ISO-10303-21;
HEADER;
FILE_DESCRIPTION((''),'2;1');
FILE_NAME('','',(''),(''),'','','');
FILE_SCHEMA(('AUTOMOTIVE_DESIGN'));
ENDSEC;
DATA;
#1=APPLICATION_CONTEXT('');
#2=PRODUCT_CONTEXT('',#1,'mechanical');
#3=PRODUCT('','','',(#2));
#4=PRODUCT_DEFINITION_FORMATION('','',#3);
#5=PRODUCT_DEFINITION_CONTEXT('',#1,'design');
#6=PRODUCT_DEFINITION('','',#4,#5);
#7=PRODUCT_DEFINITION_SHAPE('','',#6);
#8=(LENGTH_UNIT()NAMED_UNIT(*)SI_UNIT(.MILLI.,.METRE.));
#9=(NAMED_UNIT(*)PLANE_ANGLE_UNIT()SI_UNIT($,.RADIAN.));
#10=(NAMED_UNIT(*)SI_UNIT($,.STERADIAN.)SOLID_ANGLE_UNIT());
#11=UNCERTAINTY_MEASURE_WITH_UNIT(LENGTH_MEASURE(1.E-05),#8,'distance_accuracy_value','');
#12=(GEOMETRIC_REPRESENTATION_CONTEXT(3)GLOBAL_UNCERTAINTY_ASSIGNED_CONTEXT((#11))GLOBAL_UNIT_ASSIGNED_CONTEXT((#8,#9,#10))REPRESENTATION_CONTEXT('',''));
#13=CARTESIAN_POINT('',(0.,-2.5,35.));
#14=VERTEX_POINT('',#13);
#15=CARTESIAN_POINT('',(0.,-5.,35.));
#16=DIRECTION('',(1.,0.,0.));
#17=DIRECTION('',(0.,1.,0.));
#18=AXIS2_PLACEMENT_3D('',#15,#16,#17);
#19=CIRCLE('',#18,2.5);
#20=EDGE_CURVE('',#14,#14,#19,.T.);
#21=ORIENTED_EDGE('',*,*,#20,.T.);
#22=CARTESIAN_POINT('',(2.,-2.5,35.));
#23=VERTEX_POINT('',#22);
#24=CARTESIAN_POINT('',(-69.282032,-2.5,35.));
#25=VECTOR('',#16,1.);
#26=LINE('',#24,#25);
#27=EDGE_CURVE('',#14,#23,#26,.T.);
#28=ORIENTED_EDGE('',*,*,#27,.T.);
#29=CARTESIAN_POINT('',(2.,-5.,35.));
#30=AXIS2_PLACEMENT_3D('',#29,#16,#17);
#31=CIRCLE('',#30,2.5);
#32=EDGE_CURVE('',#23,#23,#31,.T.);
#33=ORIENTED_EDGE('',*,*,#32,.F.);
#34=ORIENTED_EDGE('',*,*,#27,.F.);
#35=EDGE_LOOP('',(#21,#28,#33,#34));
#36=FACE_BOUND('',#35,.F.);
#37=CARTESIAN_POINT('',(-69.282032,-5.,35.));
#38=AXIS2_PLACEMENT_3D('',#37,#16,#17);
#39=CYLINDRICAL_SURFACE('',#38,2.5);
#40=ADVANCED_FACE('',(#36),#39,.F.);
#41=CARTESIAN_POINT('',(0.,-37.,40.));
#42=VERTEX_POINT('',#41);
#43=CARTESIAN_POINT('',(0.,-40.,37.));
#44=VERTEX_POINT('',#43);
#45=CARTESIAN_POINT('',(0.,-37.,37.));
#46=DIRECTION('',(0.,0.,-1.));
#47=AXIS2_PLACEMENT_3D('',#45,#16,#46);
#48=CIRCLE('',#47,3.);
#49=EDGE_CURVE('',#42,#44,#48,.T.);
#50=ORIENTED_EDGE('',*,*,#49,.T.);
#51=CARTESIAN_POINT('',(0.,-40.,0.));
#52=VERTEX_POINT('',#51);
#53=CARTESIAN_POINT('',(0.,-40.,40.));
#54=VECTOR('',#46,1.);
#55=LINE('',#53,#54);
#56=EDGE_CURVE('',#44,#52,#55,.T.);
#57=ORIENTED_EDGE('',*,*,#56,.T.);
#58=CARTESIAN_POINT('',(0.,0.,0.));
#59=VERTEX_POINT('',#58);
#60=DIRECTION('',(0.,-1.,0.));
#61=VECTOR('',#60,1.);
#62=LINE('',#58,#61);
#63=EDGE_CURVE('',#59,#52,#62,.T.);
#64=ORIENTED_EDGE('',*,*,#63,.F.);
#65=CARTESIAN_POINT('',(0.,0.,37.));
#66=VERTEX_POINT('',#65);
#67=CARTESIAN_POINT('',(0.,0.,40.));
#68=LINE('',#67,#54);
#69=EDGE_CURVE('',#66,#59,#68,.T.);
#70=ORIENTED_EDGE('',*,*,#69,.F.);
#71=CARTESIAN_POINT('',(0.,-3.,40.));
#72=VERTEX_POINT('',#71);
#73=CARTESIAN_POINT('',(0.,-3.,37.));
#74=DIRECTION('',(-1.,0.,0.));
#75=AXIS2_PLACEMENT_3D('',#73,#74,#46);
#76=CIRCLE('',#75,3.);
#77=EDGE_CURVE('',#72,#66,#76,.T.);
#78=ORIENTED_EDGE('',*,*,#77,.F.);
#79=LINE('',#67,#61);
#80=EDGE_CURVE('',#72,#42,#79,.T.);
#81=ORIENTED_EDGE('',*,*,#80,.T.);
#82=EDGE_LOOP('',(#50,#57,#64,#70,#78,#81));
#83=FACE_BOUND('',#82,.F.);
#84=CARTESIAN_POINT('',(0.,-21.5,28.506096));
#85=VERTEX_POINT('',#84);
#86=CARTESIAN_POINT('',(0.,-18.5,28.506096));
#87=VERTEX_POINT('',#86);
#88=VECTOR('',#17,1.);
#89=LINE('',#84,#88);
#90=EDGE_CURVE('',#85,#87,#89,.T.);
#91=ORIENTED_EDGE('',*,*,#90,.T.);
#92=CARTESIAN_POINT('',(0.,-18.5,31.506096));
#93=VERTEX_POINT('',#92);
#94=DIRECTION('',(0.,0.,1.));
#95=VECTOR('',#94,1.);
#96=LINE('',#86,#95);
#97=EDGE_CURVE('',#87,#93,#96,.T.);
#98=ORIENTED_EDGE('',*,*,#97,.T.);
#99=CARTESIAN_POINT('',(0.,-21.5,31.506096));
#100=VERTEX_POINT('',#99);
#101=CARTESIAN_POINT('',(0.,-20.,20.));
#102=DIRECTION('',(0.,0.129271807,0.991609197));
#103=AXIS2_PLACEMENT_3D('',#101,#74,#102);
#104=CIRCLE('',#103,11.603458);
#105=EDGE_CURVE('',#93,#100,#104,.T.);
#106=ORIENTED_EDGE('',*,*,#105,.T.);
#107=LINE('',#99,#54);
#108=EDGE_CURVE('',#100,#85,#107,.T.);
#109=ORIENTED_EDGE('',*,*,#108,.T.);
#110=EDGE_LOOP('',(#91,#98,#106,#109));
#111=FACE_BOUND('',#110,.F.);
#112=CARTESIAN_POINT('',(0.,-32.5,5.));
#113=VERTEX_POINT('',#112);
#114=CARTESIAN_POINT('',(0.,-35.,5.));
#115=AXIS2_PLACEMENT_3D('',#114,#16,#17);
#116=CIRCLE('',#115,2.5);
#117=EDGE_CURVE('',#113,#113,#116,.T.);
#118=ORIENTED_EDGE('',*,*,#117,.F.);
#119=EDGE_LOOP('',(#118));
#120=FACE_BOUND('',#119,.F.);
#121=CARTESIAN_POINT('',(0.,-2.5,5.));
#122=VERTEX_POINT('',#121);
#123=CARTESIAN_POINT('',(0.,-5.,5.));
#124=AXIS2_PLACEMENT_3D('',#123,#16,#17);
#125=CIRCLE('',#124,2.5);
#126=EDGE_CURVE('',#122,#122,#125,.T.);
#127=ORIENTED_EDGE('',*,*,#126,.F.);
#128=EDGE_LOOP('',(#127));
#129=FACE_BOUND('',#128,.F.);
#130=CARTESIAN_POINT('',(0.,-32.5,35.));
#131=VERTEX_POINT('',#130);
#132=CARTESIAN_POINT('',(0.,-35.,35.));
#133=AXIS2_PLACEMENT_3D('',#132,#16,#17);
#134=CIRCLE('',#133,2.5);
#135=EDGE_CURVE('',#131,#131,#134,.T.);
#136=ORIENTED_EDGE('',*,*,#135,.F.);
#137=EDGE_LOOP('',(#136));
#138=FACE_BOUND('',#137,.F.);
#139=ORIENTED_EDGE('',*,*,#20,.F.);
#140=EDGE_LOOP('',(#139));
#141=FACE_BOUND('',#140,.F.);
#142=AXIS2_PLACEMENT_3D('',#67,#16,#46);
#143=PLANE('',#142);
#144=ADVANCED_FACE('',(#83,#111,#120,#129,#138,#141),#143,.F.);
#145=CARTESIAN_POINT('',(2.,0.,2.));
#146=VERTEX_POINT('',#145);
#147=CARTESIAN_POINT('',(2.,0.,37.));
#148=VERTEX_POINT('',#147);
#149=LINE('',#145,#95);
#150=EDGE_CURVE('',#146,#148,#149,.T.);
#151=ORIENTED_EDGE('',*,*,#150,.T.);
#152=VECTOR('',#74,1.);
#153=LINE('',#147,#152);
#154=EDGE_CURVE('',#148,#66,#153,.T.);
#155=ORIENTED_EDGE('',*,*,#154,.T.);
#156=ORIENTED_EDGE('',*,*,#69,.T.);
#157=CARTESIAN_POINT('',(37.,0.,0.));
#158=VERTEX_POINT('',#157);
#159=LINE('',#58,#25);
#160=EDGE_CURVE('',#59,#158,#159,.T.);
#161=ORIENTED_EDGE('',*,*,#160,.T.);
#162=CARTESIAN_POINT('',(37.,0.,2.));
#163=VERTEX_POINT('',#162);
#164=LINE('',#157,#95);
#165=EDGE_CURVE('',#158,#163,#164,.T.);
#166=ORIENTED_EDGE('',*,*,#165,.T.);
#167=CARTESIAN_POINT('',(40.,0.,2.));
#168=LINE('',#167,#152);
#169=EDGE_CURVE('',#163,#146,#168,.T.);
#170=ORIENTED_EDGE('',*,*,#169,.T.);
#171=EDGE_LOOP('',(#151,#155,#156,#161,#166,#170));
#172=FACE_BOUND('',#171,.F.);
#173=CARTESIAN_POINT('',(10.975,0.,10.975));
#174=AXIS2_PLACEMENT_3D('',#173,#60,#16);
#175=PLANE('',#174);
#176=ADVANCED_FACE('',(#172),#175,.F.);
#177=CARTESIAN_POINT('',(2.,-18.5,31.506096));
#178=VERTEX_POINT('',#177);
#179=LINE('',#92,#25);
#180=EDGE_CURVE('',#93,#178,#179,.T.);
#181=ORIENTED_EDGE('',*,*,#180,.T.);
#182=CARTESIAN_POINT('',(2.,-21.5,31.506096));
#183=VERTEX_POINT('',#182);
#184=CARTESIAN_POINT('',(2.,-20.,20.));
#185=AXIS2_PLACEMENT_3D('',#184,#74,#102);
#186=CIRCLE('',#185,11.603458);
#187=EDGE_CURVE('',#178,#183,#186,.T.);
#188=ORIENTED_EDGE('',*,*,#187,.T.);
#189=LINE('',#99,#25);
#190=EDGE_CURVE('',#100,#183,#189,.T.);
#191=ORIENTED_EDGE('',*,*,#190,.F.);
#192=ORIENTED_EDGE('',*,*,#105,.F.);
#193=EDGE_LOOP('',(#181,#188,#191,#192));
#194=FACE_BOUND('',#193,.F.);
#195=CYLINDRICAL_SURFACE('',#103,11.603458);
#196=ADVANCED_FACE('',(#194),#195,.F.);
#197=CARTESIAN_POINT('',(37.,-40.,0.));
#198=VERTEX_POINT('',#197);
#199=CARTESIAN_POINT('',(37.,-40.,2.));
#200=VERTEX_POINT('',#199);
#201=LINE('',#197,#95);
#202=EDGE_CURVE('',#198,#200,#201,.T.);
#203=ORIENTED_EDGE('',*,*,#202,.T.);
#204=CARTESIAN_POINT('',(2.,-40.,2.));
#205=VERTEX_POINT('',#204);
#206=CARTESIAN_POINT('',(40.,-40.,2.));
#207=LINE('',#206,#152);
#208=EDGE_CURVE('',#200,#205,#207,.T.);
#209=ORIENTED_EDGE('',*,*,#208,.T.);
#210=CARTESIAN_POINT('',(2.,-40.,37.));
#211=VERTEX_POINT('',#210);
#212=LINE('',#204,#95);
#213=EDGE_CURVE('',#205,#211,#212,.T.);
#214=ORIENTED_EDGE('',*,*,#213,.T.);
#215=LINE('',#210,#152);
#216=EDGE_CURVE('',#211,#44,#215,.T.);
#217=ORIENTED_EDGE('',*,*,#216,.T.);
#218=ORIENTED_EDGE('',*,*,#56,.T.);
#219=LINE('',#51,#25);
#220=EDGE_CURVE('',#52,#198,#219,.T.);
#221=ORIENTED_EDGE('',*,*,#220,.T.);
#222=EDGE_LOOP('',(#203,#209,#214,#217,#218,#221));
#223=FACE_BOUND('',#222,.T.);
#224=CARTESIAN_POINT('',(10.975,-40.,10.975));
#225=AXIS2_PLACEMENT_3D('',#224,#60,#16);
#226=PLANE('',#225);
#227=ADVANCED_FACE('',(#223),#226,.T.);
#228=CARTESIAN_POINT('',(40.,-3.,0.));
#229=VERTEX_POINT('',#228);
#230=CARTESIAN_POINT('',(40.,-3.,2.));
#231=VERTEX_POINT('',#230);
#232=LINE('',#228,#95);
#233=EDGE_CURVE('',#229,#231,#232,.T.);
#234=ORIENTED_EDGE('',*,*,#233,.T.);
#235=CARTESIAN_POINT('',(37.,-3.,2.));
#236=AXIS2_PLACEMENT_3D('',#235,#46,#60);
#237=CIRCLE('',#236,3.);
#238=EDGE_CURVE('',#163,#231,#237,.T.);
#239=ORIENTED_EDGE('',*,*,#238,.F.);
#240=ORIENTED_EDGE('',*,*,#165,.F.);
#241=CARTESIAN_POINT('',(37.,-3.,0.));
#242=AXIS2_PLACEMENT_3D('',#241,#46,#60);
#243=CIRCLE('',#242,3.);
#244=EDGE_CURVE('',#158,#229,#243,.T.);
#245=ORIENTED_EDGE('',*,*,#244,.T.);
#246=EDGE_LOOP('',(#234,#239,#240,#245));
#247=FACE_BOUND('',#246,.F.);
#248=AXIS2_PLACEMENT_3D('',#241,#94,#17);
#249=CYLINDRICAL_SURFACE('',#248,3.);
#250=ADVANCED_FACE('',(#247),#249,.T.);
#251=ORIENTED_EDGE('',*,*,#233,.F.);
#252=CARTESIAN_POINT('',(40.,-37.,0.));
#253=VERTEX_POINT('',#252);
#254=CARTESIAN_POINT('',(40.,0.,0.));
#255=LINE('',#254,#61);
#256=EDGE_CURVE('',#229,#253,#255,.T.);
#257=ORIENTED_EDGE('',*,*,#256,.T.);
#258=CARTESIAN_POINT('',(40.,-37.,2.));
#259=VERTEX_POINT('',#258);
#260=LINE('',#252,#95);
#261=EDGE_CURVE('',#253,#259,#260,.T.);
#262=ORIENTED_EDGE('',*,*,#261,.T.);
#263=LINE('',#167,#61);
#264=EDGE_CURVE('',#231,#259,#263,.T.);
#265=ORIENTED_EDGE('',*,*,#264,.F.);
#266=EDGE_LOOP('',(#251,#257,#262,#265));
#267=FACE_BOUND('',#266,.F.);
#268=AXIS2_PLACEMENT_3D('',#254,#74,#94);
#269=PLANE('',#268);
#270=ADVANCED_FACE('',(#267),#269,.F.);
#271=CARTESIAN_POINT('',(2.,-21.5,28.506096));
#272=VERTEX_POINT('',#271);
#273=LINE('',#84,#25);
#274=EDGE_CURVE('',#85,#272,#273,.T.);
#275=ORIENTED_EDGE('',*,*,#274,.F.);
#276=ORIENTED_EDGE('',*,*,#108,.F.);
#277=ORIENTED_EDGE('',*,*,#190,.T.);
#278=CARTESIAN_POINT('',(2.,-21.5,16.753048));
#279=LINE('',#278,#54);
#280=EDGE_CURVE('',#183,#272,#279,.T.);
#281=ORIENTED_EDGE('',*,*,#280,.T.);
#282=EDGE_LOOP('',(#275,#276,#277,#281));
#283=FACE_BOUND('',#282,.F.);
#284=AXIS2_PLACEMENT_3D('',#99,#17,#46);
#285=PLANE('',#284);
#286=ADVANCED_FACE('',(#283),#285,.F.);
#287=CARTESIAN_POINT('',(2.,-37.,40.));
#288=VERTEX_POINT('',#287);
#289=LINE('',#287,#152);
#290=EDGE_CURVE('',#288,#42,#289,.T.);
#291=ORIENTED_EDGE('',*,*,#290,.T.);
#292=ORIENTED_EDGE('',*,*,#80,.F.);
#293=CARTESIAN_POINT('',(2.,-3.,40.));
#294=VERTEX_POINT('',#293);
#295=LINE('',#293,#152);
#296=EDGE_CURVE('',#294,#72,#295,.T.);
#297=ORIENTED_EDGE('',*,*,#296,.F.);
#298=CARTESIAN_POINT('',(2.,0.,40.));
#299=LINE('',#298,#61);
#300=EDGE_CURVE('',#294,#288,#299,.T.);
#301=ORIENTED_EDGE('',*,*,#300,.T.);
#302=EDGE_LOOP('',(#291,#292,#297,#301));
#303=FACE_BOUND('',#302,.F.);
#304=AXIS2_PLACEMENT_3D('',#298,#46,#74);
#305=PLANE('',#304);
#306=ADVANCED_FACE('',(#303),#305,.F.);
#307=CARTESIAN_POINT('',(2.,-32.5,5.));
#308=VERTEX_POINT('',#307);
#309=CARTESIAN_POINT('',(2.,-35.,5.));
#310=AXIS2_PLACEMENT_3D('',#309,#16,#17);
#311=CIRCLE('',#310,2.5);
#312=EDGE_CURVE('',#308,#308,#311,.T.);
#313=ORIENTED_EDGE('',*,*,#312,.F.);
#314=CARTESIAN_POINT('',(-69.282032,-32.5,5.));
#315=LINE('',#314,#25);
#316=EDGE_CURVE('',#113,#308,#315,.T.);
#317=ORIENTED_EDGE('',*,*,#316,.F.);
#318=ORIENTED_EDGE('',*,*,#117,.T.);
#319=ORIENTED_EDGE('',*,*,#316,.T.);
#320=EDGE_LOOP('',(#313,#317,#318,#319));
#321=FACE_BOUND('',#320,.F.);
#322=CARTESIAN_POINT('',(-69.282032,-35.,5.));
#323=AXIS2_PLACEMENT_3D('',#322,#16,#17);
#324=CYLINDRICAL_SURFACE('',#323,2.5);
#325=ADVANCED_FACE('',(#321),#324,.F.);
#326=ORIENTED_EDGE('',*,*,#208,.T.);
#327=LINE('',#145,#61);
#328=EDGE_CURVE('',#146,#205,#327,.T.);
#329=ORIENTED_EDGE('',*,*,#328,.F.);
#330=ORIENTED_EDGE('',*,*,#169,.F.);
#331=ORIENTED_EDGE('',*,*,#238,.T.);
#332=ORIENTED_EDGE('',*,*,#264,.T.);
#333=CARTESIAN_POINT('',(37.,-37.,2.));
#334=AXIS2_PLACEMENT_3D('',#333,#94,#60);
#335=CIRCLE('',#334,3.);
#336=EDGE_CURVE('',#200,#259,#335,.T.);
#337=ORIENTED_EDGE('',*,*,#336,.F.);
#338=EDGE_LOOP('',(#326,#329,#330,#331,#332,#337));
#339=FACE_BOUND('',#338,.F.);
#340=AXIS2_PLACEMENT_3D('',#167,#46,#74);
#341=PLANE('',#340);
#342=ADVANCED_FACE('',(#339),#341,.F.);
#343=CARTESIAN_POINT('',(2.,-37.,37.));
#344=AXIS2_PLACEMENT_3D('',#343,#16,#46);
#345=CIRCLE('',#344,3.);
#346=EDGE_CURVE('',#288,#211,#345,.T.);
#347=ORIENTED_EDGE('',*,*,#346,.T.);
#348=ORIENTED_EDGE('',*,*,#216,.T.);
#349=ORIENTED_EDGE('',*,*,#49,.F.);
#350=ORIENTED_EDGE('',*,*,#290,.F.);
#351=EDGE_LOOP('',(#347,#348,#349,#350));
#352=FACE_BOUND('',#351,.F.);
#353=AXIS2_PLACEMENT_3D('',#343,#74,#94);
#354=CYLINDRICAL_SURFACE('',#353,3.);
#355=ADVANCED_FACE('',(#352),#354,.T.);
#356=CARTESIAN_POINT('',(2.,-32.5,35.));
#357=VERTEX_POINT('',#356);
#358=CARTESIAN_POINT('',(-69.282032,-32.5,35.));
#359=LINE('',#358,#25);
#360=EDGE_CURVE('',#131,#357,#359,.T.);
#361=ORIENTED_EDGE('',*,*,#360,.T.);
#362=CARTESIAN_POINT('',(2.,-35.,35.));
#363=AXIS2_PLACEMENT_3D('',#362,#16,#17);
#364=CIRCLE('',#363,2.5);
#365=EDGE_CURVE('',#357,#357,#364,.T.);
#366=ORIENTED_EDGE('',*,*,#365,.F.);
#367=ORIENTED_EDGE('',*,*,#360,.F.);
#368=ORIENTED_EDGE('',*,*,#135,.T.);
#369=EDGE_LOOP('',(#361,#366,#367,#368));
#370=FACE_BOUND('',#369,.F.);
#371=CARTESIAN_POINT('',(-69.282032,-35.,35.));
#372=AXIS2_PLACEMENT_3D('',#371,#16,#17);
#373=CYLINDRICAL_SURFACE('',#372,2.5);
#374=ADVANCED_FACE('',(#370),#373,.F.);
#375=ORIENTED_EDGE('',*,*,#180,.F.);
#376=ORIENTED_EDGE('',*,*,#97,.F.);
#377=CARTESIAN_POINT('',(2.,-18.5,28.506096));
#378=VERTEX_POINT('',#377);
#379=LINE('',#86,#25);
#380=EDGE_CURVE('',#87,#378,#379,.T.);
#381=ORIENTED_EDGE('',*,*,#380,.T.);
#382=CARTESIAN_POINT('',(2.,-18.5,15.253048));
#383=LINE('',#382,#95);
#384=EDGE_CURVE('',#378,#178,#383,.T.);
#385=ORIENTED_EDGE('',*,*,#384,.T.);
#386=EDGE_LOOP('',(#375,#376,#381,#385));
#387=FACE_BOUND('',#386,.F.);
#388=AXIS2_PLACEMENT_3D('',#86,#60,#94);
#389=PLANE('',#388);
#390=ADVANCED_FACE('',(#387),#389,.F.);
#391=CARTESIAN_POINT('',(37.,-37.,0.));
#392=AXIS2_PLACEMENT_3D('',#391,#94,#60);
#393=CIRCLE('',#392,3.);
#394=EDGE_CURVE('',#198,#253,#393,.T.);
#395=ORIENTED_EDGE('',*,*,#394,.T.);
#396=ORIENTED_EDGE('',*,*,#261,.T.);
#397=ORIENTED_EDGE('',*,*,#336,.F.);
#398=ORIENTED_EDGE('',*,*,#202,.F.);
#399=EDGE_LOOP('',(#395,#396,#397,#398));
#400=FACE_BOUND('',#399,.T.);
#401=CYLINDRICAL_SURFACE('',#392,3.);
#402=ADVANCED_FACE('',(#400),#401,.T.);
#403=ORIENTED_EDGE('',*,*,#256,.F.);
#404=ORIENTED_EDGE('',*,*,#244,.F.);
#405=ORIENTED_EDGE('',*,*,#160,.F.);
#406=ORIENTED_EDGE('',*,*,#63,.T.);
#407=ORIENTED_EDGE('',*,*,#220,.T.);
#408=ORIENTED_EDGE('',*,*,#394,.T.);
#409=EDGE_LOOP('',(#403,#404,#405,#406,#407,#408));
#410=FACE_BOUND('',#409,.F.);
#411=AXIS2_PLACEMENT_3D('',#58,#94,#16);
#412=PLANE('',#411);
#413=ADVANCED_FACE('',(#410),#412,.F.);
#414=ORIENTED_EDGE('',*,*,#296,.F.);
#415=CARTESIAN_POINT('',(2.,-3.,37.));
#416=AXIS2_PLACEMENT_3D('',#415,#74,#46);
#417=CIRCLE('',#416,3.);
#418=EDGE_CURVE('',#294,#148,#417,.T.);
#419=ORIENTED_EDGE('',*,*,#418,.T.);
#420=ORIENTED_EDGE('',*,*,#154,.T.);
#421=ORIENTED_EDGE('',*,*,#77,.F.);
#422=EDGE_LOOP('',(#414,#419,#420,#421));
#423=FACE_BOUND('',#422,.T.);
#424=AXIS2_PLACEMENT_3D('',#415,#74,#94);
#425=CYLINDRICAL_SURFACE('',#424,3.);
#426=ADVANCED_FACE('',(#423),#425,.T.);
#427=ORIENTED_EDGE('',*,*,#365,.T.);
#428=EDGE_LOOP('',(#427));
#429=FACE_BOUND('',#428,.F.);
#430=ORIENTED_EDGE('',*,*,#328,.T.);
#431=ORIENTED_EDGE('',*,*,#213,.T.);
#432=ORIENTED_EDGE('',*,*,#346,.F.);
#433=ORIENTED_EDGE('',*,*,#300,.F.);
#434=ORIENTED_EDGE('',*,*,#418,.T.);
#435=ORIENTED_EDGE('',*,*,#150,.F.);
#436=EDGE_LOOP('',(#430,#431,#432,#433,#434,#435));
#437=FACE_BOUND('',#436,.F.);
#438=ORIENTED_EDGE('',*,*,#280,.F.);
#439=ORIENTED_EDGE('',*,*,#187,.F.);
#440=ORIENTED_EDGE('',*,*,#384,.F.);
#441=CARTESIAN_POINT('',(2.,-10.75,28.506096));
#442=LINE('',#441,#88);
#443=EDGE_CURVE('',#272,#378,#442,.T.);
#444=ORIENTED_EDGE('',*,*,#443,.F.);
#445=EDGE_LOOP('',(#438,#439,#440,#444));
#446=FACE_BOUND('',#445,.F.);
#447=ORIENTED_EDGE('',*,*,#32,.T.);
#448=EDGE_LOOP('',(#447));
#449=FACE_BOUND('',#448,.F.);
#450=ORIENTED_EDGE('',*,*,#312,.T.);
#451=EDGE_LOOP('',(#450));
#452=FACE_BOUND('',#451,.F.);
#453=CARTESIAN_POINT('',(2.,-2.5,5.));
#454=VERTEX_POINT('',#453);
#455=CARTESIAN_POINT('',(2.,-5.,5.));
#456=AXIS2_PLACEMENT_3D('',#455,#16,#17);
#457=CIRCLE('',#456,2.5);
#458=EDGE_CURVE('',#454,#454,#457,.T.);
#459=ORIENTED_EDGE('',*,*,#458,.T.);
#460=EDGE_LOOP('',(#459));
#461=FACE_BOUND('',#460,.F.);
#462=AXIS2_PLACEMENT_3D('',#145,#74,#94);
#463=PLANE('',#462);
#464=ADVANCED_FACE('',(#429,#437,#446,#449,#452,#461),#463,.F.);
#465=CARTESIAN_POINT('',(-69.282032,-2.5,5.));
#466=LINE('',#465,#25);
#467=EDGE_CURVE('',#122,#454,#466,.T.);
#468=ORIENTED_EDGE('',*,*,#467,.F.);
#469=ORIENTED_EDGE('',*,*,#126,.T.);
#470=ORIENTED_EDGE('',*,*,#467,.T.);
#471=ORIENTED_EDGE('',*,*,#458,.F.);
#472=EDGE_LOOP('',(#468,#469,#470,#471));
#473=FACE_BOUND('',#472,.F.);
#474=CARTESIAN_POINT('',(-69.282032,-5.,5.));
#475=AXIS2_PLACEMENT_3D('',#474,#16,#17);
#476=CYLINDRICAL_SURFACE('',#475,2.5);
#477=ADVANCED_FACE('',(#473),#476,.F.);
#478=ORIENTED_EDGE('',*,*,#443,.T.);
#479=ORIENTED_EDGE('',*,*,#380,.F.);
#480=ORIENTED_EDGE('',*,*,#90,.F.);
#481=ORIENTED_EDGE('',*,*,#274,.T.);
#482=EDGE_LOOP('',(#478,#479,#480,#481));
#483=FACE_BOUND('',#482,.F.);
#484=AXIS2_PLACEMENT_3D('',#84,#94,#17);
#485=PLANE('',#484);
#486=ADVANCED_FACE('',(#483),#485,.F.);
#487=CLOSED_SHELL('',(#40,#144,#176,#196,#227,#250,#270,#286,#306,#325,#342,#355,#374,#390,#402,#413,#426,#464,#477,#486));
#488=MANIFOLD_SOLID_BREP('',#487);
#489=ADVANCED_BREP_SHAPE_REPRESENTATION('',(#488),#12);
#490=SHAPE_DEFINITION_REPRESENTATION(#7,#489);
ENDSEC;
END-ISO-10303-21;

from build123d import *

# Parameters (mm, degrees)
F1_DEPTH = 40
F3_D     = 5
F5_DEPTH = 20
F6_R     = 3


with BuildPart() as f1:
    # F0 (on Front) → F1 (new body)
    with BuildSketch(Plane.XZ):
        Polygon((0, 40), (0, 0), (40, 0), (40, 2), (2, 2), (2, 40), align=None)
    extrude(amount=F1_DEPTH)

    # F3 (through all)
    with Locations(Plane(origin=(0, 0, 0), x_dir=(0, -1, 0), z_dir=(-1, 0, 0))):
        with Locations((5, 5), (5, 35), (35, 5), (35, 35)):
            Hole(F3_D / 2)

    # F4 (on face) → F5 (cut)
    with BuildSketch(Plane(origin=(0, 0, 0), x_dir=(0, -1, 0), z_dir=(-1, 0, 0))):
        with BuildLine():
            Line((18.5, 28.506096), (18.5, 31.506096))
            ThreePointArc((18.5, 31.506096), (20, 8.396542), (21.5, 31.506096))
            Line((21.5, 31.506096), (21.5, 28.506096))
            Line((21.5, 28.506096), (20, 28.506096))
            Line((20, 28.506096), (18.5, 28.506096))
        make_face()
    extrude(amount=-F5_DEPTH, mode=Mode.SUBTRACT)

    # F6
    f6_edges = [f1.edges().sort_by_distance(p)[0] for p in [
        (1, -40, 40),
        (1, 0, 40),
        (40, -40, 1),
        (40, 0, 1),
    ]]
    fillet(f6_edges, radius=F6_R)


solid = f1.part
